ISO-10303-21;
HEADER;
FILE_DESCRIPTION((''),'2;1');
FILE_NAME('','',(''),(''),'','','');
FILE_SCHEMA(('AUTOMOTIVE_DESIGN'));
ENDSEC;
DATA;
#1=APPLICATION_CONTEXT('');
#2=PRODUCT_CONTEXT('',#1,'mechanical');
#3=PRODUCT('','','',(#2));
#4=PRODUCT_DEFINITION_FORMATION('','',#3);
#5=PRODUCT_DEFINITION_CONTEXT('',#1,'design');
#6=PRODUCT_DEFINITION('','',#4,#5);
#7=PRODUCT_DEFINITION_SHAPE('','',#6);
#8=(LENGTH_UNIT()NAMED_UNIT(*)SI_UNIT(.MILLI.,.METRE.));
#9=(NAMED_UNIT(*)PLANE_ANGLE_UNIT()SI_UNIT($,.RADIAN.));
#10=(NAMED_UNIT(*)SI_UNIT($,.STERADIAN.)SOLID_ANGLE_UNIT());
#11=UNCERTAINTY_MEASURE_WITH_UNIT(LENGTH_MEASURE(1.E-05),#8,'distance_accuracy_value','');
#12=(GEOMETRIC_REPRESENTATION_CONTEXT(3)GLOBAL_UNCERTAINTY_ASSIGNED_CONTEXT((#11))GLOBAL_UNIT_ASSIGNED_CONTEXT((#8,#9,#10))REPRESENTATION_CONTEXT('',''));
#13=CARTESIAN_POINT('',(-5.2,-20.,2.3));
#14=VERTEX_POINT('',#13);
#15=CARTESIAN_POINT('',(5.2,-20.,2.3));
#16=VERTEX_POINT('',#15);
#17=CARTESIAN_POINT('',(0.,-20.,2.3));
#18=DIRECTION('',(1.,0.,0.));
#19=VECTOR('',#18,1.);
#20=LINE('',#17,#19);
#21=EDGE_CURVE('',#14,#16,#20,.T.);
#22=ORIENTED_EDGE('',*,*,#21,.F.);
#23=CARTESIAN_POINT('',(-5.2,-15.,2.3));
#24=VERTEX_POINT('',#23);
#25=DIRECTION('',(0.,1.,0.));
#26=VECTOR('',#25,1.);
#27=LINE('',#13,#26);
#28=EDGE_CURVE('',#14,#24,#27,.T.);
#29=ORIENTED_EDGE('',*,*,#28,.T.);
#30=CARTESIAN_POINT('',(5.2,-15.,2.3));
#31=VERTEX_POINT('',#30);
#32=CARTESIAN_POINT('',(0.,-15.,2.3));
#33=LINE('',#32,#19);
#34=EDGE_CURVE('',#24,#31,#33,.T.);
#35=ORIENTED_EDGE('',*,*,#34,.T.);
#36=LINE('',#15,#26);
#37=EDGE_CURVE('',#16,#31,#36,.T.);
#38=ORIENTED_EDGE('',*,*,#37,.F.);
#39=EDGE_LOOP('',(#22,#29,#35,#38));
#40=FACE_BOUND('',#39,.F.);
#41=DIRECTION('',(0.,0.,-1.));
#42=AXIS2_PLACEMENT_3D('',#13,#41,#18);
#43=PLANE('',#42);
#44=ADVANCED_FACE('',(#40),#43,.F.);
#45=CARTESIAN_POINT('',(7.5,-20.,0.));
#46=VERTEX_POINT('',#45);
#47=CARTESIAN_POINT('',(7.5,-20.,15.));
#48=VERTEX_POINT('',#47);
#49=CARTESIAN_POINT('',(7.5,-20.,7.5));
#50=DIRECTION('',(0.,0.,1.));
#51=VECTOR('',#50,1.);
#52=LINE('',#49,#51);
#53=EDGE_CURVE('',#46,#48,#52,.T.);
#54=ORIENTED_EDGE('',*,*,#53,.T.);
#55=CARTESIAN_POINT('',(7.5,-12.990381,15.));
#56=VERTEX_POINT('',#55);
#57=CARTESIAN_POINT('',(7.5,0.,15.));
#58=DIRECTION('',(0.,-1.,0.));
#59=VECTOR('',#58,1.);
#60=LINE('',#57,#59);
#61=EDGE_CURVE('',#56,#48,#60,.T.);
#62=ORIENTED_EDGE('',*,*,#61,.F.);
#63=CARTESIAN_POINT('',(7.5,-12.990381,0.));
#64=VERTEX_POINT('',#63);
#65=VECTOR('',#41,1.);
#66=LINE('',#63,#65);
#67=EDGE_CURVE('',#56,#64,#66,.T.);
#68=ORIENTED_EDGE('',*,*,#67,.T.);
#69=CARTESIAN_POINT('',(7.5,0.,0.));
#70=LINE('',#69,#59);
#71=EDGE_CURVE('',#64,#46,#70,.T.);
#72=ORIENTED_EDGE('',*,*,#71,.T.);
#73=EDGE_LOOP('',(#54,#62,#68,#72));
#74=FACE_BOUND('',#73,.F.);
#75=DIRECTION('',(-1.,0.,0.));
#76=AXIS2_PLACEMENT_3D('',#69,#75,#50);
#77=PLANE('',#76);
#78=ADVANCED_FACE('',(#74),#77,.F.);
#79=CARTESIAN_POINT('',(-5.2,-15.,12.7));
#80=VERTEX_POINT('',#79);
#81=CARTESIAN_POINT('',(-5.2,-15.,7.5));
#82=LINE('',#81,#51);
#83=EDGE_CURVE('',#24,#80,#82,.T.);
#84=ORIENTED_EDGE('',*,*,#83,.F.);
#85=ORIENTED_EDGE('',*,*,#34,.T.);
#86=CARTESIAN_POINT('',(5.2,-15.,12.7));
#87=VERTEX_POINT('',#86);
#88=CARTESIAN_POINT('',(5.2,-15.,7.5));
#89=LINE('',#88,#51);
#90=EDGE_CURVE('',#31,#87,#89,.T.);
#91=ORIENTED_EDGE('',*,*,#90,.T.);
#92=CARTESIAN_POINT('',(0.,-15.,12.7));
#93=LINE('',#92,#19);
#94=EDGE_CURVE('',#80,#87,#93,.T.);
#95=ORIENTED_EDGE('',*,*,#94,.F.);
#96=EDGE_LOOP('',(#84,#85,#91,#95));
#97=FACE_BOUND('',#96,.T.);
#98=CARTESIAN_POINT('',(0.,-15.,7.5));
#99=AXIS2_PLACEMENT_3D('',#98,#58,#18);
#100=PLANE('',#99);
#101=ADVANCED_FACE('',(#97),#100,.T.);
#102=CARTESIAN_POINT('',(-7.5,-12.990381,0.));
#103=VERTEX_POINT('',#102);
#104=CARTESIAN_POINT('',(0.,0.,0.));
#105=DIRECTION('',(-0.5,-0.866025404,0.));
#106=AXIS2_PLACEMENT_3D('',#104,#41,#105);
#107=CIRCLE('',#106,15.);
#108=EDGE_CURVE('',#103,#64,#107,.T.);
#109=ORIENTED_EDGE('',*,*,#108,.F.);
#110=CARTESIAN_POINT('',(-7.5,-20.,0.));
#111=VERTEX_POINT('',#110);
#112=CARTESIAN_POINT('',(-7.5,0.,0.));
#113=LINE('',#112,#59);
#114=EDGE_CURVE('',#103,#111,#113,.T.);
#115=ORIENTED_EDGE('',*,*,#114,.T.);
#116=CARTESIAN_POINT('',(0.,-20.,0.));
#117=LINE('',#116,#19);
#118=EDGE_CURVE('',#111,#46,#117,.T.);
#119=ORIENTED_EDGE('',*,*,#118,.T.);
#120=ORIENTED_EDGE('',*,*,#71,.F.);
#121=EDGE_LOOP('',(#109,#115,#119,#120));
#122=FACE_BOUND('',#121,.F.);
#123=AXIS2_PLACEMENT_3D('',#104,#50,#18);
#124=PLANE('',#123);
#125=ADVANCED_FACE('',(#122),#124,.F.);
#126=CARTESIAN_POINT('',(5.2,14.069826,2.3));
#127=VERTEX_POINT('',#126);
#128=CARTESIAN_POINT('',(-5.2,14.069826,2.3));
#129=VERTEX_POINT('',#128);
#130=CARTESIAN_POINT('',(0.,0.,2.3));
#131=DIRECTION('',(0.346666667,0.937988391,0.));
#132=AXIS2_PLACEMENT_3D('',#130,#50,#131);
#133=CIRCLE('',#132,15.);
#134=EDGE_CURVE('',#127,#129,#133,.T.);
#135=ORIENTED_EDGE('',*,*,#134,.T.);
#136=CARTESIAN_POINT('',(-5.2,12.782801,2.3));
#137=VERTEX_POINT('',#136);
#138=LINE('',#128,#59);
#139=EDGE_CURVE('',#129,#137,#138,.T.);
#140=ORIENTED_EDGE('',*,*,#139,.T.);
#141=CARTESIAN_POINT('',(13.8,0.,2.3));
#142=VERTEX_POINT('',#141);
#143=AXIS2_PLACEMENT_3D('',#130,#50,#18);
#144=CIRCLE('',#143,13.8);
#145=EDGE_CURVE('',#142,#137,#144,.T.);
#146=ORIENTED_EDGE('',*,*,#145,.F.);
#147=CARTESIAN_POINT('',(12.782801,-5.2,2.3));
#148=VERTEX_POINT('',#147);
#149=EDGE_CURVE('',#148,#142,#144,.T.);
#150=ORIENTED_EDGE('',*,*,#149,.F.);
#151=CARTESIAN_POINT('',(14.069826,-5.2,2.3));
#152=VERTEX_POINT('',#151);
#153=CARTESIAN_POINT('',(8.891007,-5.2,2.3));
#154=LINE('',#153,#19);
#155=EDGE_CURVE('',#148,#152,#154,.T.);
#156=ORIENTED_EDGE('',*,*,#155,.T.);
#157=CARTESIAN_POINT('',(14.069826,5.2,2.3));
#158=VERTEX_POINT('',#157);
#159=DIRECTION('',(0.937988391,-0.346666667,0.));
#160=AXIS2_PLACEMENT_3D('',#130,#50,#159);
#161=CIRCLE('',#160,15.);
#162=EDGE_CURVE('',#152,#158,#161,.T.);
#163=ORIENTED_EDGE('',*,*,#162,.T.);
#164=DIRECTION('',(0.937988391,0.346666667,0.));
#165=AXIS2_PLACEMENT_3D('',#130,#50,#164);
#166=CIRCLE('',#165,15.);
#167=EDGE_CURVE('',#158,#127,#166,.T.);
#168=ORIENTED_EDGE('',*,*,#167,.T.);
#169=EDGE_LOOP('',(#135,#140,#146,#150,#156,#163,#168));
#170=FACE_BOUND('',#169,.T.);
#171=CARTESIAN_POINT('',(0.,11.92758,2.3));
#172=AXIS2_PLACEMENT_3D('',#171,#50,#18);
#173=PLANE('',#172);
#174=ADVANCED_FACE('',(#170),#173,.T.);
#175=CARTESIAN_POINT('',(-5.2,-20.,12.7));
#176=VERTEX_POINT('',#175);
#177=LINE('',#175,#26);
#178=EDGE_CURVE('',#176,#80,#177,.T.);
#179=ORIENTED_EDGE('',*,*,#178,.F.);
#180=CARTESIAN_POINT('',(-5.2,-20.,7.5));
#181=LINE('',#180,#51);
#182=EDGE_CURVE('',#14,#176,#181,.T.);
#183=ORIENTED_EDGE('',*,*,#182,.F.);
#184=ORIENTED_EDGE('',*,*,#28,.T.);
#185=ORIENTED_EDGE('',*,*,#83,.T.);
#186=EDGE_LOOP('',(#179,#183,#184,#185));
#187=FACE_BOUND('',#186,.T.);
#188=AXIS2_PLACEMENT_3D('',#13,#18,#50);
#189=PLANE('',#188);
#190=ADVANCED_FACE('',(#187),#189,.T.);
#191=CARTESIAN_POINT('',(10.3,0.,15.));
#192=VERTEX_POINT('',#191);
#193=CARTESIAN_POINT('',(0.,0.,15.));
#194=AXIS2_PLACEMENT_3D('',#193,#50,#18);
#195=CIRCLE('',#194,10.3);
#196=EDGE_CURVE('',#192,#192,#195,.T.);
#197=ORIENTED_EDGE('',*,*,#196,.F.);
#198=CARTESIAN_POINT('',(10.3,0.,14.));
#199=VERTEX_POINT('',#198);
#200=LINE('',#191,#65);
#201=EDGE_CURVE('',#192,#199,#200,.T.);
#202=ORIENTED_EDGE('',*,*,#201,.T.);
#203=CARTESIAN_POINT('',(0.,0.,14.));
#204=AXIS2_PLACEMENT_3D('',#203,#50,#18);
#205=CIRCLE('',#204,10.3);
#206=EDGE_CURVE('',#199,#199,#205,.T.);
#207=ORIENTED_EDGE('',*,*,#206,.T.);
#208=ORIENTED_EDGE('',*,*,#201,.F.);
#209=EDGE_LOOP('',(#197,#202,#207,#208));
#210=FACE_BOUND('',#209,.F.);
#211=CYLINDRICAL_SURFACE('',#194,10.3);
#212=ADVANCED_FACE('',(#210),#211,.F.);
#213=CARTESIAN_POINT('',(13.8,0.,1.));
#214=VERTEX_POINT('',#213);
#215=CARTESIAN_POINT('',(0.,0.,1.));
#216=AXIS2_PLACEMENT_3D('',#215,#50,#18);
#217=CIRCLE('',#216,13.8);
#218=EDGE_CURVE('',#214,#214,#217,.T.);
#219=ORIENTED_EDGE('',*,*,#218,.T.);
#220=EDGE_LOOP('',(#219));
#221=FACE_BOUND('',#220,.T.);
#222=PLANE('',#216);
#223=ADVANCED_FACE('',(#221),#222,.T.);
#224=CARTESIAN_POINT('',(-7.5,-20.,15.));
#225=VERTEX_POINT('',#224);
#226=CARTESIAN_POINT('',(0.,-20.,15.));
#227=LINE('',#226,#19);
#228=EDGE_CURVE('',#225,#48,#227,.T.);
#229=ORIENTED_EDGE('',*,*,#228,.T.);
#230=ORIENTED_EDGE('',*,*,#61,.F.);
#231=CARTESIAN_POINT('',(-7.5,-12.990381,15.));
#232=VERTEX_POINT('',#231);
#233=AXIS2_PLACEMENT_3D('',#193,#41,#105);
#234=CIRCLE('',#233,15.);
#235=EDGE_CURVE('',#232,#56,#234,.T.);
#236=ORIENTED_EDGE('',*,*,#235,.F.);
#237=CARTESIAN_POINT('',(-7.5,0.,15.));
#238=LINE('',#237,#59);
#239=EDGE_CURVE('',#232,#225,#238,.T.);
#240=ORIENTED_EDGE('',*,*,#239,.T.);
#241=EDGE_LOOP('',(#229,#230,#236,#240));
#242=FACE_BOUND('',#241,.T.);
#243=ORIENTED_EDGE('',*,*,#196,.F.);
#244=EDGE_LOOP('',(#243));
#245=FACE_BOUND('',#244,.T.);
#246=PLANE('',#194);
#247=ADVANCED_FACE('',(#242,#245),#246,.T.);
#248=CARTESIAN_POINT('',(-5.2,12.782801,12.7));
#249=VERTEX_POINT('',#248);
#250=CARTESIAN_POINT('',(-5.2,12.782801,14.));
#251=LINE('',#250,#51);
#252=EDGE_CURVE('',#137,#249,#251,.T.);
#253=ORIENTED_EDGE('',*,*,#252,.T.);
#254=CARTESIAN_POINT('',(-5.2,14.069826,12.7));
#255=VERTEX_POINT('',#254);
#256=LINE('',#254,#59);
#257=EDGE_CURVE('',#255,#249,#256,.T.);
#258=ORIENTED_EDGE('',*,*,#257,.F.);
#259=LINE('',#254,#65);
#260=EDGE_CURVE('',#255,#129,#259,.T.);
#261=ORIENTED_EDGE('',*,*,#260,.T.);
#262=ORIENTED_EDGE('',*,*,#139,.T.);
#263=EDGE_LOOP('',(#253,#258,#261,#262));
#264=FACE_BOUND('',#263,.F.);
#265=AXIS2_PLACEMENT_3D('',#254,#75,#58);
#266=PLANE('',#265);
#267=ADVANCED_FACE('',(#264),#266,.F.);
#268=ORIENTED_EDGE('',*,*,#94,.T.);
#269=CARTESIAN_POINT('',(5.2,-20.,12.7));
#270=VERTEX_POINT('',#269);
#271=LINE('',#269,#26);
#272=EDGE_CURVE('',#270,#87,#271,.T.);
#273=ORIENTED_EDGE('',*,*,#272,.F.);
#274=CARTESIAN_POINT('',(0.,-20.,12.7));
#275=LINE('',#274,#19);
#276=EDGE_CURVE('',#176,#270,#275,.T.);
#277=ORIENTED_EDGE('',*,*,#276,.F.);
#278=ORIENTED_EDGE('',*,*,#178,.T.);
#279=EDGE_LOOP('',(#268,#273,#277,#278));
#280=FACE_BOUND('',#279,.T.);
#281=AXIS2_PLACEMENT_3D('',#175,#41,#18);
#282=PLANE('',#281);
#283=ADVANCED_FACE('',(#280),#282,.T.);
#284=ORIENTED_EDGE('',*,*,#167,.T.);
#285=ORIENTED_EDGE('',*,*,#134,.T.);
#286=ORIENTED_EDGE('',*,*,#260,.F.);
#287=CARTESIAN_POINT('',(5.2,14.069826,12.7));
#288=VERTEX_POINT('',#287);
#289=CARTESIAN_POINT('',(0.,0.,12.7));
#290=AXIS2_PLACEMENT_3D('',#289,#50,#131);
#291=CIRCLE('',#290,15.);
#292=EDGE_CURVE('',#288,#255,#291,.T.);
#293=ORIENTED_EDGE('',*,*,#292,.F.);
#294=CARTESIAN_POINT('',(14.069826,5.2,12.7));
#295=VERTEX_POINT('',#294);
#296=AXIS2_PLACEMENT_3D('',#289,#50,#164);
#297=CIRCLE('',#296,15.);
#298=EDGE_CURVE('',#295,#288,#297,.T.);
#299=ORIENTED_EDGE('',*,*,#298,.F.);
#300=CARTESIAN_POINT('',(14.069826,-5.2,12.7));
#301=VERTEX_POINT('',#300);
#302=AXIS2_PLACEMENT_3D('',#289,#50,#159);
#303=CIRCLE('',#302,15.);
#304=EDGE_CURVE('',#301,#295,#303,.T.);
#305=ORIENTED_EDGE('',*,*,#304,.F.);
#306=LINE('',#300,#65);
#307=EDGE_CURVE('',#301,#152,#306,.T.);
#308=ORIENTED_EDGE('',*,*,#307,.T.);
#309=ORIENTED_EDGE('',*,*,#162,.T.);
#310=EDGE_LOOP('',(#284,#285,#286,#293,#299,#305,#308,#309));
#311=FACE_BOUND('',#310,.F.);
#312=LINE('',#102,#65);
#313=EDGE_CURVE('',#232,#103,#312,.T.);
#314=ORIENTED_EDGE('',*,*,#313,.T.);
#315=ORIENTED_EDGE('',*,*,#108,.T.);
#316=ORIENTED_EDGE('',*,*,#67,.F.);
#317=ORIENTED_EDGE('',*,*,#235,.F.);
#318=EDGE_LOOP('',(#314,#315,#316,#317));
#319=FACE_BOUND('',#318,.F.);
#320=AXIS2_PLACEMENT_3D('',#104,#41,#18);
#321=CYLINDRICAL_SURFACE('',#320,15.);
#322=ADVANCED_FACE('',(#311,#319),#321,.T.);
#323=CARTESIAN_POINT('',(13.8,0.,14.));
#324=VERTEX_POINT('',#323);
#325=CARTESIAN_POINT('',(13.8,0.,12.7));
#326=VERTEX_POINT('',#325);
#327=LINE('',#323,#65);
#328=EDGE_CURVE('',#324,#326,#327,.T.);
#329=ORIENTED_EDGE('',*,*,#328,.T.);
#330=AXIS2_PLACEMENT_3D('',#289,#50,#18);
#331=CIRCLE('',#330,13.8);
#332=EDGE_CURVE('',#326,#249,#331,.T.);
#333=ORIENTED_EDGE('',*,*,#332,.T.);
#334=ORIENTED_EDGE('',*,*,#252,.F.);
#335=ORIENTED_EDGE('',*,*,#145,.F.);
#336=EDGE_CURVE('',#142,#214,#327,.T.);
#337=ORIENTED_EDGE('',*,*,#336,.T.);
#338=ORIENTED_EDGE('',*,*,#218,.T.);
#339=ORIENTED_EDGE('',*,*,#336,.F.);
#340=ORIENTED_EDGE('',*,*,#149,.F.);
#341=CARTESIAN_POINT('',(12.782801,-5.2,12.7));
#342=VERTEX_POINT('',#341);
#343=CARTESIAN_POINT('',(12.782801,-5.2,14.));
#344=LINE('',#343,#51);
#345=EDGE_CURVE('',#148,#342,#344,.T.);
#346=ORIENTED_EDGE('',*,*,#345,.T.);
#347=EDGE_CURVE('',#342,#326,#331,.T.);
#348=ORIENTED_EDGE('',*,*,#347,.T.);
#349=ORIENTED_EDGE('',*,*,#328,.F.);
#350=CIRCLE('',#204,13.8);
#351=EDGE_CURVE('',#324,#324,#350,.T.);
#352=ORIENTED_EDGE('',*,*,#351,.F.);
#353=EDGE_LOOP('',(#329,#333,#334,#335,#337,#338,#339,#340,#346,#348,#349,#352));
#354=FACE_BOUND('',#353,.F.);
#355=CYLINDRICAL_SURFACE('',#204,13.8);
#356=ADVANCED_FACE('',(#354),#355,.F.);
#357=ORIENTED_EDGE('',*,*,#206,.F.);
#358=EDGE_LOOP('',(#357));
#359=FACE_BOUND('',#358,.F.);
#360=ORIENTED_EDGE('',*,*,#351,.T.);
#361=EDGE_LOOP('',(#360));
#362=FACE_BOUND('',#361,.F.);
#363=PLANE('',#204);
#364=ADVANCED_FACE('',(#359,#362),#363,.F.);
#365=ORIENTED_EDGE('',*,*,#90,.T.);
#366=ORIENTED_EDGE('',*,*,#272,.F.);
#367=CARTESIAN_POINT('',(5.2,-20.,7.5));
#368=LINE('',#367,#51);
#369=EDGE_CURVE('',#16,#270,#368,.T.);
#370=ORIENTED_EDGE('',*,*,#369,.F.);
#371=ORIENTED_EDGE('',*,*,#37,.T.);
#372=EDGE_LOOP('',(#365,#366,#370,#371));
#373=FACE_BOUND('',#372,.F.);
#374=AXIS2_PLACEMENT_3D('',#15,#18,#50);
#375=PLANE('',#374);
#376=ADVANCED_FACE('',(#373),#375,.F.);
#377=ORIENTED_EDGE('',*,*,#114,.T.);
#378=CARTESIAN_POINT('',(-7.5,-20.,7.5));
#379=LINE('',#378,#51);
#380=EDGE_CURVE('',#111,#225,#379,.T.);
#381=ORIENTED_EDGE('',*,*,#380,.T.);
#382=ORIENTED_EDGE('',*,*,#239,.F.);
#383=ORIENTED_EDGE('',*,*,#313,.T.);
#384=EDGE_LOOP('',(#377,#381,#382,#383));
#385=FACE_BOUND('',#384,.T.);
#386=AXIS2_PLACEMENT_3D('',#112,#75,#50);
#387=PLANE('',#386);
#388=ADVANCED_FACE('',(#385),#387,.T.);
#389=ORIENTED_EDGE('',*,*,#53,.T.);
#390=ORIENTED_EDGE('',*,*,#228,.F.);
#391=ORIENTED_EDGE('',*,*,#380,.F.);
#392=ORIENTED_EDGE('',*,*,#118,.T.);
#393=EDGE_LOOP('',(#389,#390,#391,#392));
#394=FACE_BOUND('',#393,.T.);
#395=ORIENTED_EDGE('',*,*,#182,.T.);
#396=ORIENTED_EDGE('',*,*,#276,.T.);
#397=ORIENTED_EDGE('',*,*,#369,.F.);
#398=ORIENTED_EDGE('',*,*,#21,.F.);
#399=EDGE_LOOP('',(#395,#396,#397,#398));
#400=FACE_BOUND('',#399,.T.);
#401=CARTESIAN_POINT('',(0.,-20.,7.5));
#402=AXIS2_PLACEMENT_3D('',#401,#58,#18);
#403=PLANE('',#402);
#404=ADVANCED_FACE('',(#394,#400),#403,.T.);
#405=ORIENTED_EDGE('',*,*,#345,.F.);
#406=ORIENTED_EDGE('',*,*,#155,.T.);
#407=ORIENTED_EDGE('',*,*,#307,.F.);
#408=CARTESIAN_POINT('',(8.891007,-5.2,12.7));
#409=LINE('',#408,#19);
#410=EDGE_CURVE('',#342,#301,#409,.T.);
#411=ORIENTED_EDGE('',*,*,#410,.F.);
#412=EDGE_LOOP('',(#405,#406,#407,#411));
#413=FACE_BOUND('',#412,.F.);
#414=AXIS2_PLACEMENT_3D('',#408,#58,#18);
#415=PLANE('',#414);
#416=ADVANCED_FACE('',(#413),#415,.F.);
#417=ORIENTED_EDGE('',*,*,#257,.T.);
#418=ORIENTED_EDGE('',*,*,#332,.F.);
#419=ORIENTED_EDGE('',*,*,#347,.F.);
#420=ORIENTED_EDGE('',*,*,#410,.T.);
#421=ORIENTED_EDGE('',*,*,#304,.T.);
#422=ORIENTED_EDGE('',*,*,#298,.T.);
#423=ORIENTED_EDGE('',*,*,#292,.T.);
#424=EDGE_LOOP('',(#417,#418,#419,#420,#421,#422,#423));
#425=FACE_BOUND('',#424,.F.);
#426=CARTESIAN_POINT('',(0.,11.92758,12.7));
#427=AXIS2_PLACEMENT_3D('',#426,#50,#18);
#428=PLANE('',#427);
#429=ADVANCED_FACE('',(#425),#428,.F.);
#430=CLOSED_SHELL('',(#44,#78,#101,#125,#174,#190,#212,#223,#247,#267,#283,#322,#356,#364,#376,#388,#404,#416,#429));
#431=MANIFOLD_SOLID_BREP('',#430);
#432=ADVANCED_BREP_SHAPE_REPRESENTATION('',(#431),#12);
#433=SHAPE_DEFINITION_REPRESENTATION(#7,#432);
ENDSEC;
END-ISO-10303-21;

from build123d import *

# Parameters (mm, degrees)
F0_R      = 15
F1_DEPTH  = 15
F2_W      = 15
F2_H      = 15
F3_DEPTH  = 20
F4_W      = 10.4
F4_H      = 10.4
F5_DEPTH  = 5
F7_START  = -1
F6_R      = 13.8
F7_DEPTH  = 13
F8_R      = 10.3
F9_DEPTH  = 2
F11_START = -2.3
F11_DEPTH = 10.4


with BuildPart() as f1:
    # F0 (on Top) → F1 (new body)
    with BuildSketch(Plane.XY):
        Circle(F0_R)
    extrude(amount=F1_DEPTH)

    # F2 (on Front) → F3 (join)
    with BuildSketch(Plane.XZ):
        with Locations((0, 7.5)):
            Rectangle(F2_W, F2_H)
    extrude(amount=F3_DEPTH)

    # F4 (on face) → F5 (cut)
    with BuildSketch(Plane.XZ.offset(20)):
        with Locations((0, 7.5)):
            Rectangle(F4_W, F4_H)
    extrude(amount=-F5_DEPTH, mode=Mode.SUBTRACT)

    # F6 (on face) → F7 (cut)
    with BuildSketch(Plane.XY.offset(15).offset(F7_START)):
        Circle(F6_R)
    extrude(amount=-F7_DEPTH, mode=Mode.SUBTRACT)

    # F8 (on face) → F9 (cut)
    with BuildSketch(Plane.XY.offset(15)):
        Circle(F8_R)
    extrude(amount=-F9_DEPTH, mode=Mode.SUBTRACT)

    # F10 (on face) → F11 (cut)
    with BuildSketch(Plane.XY.offset(15).offset(F11_START)):
        with BuildLine():
            Line((5.2, 8.8910066922), (5.2, 14.0698258696))
            ThreePointArc((5.2, 14.0698258696), (0, 15), (-5.2, 14.0698258696))
            Line((-5.2, 14.0698258696), (-5.2, 8.8910066922))
            ThreePointArc((-5.2, 8.8910066922), (0, 10.3), (5.2, 8.8910066922))
        make_face()
        with BuildLine():
            Line((8.8910066922, 5.2), (14.0698258696, 5.2))
            ThreePointArc((14.0698258696, 5.2), (10.6066017178, 10.6066017178), (5.2, 14.0698258696))
            Line((5.2, 14.0698258696), (5.2, 8.8910066922))
            ThreePointArc((5.2, 8.8910066922), (7.2831998462, 7.2831998462), (8.8910066922, 5.2))
        make_face()
        with BuildLine():
            Line((8.8910066922, -5.2), (14.0698258696, -5.2))
            ThreePointArc((14.0698258696, -5.2), (15, 0), (14.0698258696, 5.2))
            Line((14.0698258696, 5.2), (8.8910066922, 5.2))
            ThreePointArc((8.8910066922, 5.2), (9.9415131879, 2.6937549138), (10.3, 0))
            ThreePointArc((10.3, 0), (9.9415131879, -2.6937549138), (8.8910066922, -5.2))
        make_face()
    extrude(amount=-F11_DEPTH, mode=Mode.SUBTRACT)


solid = f1.part
